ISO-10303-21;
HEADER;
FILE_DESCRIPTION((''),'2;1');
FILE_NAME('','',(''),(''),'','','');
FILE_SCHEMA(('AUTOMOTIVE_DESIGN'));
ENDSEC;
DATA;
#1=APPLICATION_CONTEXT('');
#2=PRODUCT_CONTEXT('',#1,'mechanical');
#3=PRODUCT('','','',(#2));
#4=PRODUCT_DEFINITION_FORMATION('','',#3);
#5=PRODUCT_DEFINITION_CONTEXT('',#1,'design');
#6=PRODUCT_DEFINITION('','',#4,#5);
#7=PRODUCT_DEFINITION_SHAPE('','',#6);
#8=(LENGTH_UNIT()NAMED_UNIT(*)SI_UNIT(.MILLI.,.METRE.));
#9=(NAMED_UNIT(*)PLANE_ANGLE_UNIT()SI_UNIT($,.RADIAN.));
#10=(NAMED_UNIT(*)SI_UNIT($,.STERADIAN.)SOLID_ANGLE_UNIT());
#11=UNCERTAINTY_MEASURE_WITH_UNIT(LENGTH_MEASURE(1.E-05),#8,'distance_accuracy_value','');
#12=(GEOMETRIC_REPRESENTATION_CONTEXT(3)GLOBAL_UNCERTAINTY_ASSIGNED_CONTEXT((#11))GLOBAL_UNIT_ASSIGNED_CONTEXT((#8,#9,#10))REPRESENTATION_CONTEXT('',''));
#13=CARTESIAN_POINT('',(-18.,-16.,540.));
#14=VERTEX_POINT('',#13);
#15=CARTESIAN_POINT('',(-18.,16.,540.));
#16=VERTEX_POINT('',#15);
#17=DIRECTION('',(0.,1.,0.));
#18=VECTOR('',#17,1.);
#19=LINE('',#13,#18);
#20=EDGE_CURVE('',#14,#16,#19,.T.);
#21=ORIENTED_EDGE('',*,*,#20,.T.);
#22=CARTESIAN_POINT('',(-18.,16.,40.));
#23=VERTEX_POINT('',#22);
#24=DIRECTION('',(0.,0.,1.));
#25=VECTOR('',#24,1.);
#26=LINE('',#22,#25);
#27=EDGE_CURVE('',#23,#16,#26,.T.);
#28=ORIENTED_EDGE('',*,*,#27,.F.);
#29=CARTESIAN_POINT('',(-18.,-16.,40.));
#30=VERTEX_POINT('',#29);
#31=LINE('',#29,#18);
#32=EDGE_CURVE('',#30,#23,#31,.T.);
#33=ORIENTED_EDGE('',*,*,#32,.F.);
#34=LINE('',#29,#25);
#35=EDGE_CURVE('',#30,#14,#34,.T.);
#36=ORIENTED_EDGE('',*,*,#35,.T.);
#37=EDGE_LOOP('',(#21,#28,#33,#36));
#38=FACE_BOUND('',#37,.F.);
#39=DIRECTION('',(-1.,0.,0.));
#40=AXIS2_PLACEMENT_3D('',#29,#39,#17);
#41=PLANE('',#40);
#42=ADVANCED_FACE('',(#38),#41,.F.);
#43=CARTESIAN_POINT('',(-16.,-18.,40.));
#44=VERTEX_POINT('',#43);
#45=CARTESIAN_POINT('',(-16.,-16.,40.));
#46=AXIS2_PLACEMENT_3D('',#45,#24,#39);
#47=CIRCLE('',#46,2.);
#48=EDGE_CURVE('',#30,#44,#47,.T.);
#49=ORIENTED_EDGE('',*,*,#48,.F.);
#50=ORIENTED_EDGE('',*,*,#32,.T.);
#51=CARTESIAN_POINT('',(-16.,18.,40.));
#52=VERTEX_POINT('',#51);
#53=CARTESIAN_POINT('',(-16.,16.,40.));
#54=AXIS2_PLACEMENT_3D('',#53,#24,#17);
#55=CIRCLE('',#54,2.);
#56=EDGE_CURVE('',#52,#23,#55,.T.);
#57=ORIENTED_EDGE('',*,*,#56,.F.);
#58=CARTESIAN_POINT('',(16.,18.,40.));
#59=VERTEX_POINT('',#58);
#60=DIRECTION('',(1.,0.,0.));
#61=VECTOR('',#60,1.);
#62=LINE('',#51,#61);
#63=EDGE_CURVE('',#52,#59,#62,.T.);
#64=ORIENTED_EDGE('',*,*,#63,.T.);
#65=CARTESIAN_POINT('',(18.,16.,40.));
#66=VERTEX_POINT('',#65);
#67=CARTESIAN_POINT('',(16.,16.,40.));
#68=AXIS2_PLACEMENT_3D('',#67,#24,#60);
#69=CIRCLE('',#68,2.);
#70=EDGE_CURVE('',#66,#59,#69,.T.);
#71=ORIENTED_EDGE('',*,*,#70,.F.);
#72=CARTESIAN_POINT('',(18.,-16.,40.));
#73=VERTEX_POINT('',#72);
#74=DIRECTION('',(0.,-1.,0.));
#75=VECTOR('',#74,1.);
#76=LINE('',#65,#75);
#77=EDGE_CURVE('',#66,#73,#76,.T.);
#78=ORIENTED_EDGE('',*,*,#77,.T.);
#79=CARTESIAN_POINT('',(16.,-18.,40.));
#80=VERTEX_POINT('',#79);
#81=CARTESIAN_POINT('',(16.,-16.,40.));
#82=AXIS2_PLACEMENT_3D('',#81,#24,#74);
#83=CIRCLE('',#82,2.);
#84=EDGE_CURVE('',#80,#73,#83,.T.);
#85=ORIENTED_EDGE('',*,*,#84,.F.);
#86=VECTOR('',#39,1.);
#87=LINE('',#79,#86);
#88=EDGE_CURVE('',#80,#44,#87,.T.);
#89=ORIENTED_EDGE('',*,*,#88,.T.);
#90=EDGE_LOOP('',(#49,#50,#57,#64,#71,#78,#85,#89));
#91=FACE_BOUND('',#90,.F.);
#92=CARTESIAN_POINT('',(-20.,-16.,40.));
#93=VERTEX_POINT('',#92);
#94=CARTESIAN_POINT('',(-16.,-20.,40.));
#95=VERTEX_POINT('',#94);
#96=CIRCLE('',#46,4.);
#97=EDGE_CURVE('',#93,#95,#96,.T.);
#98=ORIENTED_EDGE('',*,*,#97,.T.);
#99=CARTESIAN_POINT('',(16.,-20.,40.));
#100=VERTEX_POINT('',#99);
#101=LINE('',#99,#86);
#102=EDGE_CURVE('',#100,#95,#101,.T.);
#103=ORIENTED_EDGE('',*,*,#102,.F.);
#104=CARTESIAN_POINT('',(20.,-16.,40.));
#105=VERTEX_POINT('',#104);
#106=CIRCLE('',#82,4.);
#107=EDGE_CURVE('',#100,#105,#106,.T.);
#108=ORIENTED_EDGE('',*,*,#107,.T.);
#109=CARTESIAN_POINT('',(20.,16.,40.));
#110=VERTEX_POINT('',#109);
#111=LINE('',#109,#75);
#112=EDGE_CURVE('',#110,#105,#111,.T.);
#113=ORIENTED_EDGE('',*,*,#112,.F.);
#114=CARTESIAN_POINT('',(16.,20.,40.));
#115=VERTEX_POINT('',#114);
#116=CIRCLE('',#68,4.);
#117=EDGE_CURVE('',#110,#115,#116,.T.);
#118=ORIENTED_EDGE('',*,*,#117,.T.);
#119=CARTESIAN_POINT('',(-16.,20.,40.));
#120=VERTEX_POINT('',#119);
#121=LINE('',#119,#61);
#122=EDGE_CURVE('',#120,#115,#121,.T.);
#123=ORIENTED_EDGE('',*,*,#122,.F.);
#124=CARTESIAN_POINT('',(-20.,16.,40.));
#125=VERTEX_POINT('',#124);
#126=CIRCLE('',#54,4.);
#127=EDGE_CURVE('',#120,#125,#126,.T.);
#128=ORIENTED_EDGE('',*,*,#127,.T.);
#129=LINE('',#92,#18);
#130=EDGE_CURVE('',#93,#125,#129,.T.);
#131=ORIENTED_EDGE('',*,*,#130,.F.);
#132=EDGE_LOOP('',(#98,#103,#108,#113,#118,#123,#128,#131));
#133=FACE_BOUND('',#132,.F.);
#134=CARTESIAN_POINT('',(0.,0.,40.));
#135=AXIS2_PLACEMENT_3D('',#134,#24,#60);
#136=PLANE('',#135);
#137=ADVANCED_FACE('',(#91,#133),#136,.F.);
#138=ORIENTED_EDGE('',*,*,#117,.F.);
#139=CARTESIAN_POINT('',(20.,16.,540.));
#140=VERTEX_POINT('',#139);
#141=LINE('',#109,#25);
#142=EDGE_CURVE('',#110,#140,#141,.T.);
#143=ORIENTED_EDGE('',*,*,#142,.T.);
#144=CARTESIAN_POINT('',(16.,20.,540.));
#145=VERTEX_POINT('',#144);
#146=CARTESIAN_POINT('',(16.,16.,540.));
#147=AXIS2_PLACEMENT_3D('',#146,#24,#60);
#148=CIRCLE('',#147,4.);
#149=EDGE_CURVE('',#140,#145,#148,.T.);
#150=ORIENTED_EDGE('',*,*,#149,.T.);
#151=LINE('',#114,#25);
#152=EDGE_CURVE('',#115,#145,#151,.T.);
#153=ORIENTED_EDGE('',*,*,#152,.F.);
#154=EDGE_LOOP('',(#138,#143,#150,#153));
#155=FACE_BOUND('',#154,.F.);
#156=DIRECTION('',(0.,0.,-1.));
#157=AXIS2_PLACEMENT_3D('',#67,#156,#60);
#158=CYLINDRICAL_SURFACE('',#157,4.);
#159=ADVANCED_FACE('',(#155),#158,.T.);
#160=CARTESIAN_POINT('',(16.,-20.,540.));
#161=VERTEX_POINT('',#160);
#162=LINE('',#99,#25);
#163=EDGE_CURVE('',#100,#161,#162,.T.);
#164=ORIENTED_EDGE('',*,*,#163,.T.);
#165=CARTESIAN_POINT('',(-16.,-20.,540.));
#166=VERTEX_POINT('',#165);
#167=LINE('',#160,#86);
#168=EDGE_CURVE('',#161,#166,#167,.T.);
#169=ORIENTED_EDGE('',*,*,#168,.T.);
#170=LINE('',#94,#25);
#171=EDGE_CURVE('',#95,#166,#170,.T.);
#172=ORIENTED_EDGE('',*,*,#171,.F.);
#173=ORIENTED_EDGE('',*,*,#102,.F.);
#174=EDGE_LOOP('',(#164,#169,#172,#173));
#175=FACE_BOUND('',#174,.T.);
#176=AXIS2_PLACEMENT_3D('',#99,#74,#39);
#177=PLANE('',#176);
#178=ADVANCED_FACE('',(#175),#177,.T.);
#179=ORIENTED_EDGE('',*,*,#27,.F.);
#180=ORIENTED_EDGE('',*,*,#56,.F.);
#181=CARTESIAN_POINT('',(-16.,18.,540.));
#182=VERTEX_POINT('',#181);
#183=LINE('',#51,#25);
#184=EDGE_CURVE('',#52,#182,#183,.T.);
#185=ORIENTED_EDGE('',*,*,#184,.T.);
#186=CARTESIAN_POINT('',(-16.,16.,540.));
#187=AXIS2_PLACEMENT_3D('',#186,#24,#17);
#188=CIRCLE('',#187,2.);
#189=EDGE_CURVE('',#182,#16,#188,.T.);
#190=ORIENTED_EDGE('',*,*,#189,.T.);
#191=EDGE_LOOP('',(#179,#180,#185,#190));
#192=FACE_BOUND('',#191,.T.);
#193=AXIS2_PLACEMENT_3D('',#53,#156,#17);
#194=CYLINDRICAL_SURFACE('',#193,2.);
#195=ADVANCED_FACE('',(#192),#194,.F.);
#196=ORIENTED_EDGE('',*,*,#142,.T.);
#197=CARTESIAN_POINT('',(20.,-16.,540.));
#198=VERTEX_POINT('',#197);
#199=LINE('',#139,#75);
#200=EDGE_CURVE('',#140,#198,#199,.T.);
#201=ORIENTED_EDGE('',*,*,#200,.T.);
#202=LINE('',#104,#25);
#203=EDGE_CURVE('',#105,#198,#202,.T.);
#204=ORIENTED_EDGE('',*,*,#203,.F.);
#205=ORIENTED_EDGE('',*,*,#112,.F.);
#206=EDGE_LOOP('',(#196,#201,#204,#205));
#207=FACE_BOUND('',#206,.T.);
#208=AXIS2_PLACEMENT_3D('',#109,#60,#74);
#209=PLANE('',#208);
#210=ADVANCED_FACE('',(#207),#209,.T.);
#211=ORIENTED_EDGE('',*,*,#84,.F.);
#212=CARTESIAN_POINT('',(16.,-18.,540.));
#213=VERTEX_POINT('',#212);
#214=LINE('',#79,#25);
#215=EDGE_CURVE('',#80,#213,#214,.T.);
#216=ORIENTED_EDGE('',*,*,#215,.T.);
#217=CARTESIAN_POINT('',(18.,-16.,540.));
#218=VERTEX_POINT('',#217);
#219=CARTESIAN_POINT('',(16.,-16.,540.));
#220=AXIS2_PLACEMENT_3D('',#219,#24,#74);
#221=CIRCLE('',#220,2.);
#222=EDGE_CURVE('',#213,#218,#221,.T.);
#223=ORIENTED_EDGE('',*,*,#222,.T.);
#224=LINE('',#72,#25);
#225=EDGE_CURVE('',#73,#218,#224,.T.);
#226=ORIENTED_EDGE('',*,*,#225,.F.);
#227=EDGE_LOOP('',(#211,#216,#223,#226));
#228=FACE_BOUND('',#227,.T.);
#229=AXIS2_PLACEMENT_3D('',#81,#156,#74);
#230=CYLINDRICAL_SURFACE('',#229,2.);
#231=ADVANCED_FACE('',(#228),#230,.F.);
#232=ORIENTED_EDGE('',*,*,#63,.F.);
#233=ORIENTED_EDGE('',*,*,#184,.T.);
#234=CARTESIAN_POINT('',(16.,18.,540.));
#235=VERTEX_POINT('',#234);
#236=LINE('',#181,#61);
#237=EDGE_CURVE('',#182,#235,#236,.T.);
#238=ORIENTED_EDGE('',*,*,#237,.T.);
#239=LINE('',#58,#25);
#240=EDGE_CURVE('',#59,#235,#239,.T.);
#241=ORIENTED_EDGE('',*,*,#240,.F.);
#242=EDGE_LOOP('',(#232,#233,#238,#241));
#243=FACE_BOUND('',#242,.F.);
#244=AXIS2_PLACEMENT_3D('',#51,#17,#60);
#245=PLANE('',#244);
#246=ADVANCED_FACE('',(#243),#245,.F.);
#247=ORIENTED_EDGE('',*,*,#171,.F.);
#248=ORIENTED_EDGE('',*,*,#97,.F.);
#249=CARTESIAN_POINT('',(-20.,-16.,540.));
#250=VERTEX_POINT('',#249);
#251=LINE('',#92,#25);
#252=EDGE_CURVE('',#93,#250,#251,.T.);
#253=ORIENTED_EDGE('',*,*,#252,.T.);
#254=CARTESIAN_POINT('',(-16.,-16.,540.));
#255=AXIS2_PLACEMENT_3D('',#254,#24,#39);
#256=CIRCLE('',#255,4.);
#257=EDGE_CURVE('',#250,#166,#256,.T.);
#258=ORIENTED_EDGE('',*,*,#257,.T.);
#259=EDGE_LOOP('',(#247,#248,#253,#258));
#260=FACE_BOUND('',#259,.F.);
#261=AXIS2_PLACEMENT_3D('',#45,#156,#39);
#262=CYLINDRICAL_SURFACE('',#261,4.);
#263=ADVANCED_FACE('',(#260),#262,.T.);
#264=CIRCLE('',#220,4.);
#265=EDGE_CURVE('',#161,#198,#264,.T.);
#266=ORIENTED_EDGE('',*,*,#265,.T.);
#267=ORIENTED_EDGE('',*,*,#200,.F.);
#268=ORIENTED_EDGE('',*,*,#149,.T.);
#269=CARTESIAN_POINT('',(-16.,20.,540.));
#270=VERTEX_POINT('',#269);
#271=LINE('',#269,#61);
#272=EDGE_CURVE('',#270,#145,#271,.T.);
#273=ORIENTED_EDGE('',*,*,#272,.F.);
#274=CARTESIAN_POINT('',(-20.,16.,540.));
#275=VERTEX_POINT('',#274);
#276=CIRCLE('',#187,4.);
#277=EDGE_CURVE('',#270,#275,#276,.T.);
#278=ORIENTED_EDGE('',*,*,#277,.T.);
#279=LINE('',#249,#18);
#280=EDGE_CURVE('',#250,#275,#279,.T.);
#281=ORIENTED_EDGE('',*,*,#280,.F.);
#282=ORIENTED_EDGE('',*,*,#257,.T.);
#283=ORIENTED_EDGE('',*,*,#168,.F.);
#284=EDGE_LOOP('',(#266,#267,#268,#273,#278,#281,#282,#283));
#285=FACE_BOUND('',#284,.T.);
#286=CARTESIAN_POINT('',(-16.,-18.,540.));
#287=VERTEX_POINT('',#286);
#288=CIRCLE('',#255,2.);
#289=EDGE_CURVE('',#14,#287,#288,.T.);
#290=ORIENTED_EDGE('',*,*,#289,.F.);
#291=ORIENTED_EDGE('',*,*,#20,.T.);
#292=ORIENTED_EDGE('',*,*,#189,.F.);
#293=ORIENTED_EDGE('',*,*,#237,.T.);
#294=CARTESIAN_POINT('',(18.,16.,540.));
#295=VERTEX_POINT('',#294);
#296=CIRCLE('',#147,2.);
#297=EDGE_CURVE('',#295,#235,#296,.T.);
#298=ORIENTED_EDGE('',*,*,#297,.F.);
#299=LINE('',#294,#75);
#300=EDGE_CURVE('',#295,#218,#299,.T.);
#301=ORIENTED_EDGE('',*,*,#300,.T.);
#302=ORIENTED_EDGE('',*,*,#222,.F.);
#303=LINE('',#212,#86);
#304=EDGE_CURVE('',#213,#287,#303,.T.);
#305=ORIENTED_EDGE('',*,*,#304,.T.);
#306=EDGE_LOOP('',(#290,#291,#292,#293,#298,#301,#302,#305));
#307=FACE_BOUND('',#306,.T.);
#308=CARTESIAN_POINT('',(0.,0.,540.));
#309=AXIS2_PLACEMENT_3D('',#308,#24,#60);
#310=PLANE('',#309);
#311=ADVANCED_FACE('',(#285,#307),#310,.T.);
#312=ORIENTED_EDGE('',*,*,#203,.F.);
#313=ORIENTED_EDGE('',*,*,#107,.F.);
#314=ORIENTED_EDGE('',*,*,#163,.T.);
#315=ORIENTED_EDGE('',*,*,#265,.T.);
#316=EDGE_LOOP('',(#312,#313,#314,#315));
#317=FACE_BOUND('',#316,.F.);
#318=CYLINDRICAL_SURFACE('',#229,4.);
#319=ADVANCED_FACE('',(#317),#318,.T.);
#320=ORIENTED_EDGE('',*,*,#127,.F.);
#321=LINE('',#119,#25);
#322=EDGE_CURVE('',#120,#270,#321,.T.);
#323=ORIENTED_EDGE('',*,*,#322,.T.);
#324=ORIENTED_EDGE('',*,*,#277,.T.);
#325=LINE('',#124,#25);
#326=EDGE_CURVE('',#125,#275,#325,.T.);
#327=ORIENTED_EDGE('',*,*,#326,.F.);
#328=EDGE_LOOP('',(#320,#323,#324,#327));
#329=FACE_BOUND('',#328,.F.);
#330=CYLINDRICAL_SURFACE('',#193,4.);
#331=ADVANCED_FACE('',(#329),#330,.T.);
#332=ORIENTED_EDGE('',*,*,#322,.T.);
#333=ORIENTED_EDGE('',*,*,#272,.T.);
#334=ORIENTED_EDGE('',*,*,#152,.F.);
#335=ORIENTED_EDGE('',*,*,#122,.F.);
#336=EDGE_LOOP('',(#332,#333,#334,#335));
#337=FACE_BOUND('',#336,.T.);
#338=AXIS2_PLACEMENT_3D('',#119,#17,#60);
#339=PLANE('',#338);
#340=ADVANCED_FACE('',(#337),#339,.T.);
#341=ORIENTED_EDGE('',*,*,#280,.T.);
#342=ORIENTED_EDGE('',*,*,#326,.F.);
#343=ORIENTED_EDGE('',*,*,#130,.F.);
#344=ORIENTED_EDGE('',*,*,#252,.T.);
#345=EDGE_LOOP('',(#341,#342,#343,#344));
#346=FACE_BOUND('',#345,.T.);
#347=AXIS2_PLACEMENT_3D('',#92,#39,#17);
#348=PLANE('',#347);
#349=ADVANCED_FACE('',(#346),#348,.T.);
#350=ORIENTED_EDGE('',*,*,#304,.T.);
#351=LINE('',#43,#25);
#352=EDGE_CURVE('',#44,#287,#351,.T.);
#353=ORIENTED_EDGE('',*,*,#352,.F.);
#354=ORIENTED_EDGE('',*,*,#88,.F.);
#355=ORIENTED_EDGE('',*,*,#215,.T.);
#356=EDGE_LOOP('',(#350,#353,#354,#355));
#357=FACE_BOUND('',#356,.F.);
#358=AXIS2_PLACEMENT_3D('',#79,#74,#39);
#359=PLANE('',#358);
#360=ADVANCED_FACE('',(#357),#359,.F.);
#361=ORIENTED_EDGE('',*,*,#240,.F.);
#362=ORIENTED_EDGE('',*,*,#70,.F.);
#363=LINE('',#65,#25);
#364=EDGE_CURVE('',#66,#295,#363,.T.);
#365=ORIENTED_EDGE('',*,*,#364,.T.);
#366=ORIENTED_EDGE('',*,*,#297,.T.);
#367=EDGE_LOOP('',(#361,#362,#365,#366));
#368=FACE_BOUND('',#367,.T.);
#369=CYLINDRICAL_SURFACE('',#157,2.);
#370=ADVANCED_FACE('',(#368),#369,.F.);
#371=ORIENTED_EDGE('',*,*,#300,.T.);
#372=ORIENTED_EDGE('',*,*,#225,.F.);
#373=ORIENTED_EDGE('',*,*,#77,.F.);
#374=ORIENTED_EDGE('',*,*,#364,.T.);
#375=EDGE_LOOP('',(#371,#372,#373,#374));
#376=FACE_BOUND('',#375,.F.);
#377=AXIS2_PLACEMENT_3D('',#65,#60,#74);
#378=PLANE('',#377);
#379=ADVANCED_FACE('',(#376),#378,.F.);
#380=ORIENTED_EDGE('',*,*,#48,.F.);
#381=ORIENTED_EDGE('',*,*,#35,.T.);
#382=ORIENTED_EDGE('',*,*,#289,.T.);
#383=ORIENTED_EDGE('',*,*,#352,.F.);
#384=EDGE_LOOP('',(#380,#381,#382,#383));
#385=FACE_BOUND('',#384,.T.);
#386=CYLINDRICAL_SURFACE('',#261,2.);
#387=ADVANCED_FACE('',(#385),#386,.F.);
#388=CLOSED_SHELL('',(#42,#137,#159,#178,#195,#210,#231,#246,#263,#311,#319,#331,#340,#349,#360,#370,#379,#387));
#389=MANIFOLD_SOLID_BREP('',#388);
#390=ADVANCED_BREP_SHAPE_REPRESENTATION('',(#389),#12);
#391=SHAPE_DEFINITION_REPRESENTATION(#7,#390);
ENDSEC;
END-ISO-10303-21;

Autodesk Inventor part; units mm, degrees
ref_plane "YZ Plane" through (0, 0, 0) normal (1, 0, 0) x (0, 1, 0)
ref_plane "Start Plane" through (0, 0, 40) normal (0, 0, 1) x (1, 0, 0)
ref_plane "End Plane" through (0, 0, 540) normal (0, 0, 1) x (1, 0, 0)
sketch "Sketch" plane through (0, 0, 0) normal (0, 0, 1) x (1, 0, 0)
  line L0 (-20, -16) -> (-20, 16)
  line L1 (-16, 20) -> (16, 20)
  line L2 (20, 16) -> (20, -16)
  line L3 (16, -20) -> (-16, -20)
  arc A0 (-20, -16) -> (-16, -20) centre (-16, -16) ccw
  arc A1 (20, 16) -> (16, 20) centre (16, 16) ccw
  arc A2 (-16, 20) -> (-20, 16) centre (-16, 16) ccw
  arc A3 (16, -20) -> (20, -16) centre (16, -16) ccw
  arc A4 (-16, 18) -> (-18, 16) centre (-16, 16) ccw
  line L4 (-16, 18) -> (16, 18)
  arc A5 (18, 16) -> (16, 18) centre (16, 16) ccw
  line L5 (18, 16) -> (18, -16)
  arc A6 (16, -18) -> (18, -16) centre (16, -16) ccw
  line L6 (16, -18) -> (-16, -18)
  arc A7 (-18, -16) -> (-16, -18) centre (-16, -16) ccw
  line L7 (-18, -16) -> (-18, 16)
  line L8 (0, 29.1598) -> (0, -29.1598) construction
  line L9 (-29.1598, 0) -> (29.1598, 0) construction
  dimension "d7" = 4
  dimension "d9" = 40
  dimension "d11" = 40
  dimension "d12" = 2
  dimension "d15" = 20
  dimension "d16" = 20
extrude "Body" add sketch "Sketch" along normal up to surface (500 mm away) from surface at 40
sketch "Sketch3" plane through (0, 0, 0) normal (0, 0, 1) x (1, 0, 0)
  line L0 (0, 0) -> (10, 0)
ref_plane "Work Plane3" through (0, 0, 0) normal (0, -1, 0) x (1, 0, 0)
sketch "Sketch4" plane through (0, 0, 0) normal (0, -1, 0) x (1, 0, 0)
  line L0 (-2, 40) -> (12, 40) projected
  line L1 (-2, 540) -> (12, 540) projected
  dimension "d18" = 500
equation "\"d7\" = G_IR"
equation "\"d9\" = G_W"
equation "\"d11\" = G_H"
equation "\"d12\" = G_T"
equation "\"d15\" = 0.5 * d9"
equation "\"d16\" = 0.5 * d11"
equation "\"d3\" = G_L"
equation "\"G_W\" = 40"
equation "\"G_H\" = 40"
equation "\"G_T\" = 2"
equation "\"G_IR\" = 4"
equation "\"G_L\" = d18"
properties part number "ISO 10799-2 - 40x40x2 - 500" material "Steel, Mild"
